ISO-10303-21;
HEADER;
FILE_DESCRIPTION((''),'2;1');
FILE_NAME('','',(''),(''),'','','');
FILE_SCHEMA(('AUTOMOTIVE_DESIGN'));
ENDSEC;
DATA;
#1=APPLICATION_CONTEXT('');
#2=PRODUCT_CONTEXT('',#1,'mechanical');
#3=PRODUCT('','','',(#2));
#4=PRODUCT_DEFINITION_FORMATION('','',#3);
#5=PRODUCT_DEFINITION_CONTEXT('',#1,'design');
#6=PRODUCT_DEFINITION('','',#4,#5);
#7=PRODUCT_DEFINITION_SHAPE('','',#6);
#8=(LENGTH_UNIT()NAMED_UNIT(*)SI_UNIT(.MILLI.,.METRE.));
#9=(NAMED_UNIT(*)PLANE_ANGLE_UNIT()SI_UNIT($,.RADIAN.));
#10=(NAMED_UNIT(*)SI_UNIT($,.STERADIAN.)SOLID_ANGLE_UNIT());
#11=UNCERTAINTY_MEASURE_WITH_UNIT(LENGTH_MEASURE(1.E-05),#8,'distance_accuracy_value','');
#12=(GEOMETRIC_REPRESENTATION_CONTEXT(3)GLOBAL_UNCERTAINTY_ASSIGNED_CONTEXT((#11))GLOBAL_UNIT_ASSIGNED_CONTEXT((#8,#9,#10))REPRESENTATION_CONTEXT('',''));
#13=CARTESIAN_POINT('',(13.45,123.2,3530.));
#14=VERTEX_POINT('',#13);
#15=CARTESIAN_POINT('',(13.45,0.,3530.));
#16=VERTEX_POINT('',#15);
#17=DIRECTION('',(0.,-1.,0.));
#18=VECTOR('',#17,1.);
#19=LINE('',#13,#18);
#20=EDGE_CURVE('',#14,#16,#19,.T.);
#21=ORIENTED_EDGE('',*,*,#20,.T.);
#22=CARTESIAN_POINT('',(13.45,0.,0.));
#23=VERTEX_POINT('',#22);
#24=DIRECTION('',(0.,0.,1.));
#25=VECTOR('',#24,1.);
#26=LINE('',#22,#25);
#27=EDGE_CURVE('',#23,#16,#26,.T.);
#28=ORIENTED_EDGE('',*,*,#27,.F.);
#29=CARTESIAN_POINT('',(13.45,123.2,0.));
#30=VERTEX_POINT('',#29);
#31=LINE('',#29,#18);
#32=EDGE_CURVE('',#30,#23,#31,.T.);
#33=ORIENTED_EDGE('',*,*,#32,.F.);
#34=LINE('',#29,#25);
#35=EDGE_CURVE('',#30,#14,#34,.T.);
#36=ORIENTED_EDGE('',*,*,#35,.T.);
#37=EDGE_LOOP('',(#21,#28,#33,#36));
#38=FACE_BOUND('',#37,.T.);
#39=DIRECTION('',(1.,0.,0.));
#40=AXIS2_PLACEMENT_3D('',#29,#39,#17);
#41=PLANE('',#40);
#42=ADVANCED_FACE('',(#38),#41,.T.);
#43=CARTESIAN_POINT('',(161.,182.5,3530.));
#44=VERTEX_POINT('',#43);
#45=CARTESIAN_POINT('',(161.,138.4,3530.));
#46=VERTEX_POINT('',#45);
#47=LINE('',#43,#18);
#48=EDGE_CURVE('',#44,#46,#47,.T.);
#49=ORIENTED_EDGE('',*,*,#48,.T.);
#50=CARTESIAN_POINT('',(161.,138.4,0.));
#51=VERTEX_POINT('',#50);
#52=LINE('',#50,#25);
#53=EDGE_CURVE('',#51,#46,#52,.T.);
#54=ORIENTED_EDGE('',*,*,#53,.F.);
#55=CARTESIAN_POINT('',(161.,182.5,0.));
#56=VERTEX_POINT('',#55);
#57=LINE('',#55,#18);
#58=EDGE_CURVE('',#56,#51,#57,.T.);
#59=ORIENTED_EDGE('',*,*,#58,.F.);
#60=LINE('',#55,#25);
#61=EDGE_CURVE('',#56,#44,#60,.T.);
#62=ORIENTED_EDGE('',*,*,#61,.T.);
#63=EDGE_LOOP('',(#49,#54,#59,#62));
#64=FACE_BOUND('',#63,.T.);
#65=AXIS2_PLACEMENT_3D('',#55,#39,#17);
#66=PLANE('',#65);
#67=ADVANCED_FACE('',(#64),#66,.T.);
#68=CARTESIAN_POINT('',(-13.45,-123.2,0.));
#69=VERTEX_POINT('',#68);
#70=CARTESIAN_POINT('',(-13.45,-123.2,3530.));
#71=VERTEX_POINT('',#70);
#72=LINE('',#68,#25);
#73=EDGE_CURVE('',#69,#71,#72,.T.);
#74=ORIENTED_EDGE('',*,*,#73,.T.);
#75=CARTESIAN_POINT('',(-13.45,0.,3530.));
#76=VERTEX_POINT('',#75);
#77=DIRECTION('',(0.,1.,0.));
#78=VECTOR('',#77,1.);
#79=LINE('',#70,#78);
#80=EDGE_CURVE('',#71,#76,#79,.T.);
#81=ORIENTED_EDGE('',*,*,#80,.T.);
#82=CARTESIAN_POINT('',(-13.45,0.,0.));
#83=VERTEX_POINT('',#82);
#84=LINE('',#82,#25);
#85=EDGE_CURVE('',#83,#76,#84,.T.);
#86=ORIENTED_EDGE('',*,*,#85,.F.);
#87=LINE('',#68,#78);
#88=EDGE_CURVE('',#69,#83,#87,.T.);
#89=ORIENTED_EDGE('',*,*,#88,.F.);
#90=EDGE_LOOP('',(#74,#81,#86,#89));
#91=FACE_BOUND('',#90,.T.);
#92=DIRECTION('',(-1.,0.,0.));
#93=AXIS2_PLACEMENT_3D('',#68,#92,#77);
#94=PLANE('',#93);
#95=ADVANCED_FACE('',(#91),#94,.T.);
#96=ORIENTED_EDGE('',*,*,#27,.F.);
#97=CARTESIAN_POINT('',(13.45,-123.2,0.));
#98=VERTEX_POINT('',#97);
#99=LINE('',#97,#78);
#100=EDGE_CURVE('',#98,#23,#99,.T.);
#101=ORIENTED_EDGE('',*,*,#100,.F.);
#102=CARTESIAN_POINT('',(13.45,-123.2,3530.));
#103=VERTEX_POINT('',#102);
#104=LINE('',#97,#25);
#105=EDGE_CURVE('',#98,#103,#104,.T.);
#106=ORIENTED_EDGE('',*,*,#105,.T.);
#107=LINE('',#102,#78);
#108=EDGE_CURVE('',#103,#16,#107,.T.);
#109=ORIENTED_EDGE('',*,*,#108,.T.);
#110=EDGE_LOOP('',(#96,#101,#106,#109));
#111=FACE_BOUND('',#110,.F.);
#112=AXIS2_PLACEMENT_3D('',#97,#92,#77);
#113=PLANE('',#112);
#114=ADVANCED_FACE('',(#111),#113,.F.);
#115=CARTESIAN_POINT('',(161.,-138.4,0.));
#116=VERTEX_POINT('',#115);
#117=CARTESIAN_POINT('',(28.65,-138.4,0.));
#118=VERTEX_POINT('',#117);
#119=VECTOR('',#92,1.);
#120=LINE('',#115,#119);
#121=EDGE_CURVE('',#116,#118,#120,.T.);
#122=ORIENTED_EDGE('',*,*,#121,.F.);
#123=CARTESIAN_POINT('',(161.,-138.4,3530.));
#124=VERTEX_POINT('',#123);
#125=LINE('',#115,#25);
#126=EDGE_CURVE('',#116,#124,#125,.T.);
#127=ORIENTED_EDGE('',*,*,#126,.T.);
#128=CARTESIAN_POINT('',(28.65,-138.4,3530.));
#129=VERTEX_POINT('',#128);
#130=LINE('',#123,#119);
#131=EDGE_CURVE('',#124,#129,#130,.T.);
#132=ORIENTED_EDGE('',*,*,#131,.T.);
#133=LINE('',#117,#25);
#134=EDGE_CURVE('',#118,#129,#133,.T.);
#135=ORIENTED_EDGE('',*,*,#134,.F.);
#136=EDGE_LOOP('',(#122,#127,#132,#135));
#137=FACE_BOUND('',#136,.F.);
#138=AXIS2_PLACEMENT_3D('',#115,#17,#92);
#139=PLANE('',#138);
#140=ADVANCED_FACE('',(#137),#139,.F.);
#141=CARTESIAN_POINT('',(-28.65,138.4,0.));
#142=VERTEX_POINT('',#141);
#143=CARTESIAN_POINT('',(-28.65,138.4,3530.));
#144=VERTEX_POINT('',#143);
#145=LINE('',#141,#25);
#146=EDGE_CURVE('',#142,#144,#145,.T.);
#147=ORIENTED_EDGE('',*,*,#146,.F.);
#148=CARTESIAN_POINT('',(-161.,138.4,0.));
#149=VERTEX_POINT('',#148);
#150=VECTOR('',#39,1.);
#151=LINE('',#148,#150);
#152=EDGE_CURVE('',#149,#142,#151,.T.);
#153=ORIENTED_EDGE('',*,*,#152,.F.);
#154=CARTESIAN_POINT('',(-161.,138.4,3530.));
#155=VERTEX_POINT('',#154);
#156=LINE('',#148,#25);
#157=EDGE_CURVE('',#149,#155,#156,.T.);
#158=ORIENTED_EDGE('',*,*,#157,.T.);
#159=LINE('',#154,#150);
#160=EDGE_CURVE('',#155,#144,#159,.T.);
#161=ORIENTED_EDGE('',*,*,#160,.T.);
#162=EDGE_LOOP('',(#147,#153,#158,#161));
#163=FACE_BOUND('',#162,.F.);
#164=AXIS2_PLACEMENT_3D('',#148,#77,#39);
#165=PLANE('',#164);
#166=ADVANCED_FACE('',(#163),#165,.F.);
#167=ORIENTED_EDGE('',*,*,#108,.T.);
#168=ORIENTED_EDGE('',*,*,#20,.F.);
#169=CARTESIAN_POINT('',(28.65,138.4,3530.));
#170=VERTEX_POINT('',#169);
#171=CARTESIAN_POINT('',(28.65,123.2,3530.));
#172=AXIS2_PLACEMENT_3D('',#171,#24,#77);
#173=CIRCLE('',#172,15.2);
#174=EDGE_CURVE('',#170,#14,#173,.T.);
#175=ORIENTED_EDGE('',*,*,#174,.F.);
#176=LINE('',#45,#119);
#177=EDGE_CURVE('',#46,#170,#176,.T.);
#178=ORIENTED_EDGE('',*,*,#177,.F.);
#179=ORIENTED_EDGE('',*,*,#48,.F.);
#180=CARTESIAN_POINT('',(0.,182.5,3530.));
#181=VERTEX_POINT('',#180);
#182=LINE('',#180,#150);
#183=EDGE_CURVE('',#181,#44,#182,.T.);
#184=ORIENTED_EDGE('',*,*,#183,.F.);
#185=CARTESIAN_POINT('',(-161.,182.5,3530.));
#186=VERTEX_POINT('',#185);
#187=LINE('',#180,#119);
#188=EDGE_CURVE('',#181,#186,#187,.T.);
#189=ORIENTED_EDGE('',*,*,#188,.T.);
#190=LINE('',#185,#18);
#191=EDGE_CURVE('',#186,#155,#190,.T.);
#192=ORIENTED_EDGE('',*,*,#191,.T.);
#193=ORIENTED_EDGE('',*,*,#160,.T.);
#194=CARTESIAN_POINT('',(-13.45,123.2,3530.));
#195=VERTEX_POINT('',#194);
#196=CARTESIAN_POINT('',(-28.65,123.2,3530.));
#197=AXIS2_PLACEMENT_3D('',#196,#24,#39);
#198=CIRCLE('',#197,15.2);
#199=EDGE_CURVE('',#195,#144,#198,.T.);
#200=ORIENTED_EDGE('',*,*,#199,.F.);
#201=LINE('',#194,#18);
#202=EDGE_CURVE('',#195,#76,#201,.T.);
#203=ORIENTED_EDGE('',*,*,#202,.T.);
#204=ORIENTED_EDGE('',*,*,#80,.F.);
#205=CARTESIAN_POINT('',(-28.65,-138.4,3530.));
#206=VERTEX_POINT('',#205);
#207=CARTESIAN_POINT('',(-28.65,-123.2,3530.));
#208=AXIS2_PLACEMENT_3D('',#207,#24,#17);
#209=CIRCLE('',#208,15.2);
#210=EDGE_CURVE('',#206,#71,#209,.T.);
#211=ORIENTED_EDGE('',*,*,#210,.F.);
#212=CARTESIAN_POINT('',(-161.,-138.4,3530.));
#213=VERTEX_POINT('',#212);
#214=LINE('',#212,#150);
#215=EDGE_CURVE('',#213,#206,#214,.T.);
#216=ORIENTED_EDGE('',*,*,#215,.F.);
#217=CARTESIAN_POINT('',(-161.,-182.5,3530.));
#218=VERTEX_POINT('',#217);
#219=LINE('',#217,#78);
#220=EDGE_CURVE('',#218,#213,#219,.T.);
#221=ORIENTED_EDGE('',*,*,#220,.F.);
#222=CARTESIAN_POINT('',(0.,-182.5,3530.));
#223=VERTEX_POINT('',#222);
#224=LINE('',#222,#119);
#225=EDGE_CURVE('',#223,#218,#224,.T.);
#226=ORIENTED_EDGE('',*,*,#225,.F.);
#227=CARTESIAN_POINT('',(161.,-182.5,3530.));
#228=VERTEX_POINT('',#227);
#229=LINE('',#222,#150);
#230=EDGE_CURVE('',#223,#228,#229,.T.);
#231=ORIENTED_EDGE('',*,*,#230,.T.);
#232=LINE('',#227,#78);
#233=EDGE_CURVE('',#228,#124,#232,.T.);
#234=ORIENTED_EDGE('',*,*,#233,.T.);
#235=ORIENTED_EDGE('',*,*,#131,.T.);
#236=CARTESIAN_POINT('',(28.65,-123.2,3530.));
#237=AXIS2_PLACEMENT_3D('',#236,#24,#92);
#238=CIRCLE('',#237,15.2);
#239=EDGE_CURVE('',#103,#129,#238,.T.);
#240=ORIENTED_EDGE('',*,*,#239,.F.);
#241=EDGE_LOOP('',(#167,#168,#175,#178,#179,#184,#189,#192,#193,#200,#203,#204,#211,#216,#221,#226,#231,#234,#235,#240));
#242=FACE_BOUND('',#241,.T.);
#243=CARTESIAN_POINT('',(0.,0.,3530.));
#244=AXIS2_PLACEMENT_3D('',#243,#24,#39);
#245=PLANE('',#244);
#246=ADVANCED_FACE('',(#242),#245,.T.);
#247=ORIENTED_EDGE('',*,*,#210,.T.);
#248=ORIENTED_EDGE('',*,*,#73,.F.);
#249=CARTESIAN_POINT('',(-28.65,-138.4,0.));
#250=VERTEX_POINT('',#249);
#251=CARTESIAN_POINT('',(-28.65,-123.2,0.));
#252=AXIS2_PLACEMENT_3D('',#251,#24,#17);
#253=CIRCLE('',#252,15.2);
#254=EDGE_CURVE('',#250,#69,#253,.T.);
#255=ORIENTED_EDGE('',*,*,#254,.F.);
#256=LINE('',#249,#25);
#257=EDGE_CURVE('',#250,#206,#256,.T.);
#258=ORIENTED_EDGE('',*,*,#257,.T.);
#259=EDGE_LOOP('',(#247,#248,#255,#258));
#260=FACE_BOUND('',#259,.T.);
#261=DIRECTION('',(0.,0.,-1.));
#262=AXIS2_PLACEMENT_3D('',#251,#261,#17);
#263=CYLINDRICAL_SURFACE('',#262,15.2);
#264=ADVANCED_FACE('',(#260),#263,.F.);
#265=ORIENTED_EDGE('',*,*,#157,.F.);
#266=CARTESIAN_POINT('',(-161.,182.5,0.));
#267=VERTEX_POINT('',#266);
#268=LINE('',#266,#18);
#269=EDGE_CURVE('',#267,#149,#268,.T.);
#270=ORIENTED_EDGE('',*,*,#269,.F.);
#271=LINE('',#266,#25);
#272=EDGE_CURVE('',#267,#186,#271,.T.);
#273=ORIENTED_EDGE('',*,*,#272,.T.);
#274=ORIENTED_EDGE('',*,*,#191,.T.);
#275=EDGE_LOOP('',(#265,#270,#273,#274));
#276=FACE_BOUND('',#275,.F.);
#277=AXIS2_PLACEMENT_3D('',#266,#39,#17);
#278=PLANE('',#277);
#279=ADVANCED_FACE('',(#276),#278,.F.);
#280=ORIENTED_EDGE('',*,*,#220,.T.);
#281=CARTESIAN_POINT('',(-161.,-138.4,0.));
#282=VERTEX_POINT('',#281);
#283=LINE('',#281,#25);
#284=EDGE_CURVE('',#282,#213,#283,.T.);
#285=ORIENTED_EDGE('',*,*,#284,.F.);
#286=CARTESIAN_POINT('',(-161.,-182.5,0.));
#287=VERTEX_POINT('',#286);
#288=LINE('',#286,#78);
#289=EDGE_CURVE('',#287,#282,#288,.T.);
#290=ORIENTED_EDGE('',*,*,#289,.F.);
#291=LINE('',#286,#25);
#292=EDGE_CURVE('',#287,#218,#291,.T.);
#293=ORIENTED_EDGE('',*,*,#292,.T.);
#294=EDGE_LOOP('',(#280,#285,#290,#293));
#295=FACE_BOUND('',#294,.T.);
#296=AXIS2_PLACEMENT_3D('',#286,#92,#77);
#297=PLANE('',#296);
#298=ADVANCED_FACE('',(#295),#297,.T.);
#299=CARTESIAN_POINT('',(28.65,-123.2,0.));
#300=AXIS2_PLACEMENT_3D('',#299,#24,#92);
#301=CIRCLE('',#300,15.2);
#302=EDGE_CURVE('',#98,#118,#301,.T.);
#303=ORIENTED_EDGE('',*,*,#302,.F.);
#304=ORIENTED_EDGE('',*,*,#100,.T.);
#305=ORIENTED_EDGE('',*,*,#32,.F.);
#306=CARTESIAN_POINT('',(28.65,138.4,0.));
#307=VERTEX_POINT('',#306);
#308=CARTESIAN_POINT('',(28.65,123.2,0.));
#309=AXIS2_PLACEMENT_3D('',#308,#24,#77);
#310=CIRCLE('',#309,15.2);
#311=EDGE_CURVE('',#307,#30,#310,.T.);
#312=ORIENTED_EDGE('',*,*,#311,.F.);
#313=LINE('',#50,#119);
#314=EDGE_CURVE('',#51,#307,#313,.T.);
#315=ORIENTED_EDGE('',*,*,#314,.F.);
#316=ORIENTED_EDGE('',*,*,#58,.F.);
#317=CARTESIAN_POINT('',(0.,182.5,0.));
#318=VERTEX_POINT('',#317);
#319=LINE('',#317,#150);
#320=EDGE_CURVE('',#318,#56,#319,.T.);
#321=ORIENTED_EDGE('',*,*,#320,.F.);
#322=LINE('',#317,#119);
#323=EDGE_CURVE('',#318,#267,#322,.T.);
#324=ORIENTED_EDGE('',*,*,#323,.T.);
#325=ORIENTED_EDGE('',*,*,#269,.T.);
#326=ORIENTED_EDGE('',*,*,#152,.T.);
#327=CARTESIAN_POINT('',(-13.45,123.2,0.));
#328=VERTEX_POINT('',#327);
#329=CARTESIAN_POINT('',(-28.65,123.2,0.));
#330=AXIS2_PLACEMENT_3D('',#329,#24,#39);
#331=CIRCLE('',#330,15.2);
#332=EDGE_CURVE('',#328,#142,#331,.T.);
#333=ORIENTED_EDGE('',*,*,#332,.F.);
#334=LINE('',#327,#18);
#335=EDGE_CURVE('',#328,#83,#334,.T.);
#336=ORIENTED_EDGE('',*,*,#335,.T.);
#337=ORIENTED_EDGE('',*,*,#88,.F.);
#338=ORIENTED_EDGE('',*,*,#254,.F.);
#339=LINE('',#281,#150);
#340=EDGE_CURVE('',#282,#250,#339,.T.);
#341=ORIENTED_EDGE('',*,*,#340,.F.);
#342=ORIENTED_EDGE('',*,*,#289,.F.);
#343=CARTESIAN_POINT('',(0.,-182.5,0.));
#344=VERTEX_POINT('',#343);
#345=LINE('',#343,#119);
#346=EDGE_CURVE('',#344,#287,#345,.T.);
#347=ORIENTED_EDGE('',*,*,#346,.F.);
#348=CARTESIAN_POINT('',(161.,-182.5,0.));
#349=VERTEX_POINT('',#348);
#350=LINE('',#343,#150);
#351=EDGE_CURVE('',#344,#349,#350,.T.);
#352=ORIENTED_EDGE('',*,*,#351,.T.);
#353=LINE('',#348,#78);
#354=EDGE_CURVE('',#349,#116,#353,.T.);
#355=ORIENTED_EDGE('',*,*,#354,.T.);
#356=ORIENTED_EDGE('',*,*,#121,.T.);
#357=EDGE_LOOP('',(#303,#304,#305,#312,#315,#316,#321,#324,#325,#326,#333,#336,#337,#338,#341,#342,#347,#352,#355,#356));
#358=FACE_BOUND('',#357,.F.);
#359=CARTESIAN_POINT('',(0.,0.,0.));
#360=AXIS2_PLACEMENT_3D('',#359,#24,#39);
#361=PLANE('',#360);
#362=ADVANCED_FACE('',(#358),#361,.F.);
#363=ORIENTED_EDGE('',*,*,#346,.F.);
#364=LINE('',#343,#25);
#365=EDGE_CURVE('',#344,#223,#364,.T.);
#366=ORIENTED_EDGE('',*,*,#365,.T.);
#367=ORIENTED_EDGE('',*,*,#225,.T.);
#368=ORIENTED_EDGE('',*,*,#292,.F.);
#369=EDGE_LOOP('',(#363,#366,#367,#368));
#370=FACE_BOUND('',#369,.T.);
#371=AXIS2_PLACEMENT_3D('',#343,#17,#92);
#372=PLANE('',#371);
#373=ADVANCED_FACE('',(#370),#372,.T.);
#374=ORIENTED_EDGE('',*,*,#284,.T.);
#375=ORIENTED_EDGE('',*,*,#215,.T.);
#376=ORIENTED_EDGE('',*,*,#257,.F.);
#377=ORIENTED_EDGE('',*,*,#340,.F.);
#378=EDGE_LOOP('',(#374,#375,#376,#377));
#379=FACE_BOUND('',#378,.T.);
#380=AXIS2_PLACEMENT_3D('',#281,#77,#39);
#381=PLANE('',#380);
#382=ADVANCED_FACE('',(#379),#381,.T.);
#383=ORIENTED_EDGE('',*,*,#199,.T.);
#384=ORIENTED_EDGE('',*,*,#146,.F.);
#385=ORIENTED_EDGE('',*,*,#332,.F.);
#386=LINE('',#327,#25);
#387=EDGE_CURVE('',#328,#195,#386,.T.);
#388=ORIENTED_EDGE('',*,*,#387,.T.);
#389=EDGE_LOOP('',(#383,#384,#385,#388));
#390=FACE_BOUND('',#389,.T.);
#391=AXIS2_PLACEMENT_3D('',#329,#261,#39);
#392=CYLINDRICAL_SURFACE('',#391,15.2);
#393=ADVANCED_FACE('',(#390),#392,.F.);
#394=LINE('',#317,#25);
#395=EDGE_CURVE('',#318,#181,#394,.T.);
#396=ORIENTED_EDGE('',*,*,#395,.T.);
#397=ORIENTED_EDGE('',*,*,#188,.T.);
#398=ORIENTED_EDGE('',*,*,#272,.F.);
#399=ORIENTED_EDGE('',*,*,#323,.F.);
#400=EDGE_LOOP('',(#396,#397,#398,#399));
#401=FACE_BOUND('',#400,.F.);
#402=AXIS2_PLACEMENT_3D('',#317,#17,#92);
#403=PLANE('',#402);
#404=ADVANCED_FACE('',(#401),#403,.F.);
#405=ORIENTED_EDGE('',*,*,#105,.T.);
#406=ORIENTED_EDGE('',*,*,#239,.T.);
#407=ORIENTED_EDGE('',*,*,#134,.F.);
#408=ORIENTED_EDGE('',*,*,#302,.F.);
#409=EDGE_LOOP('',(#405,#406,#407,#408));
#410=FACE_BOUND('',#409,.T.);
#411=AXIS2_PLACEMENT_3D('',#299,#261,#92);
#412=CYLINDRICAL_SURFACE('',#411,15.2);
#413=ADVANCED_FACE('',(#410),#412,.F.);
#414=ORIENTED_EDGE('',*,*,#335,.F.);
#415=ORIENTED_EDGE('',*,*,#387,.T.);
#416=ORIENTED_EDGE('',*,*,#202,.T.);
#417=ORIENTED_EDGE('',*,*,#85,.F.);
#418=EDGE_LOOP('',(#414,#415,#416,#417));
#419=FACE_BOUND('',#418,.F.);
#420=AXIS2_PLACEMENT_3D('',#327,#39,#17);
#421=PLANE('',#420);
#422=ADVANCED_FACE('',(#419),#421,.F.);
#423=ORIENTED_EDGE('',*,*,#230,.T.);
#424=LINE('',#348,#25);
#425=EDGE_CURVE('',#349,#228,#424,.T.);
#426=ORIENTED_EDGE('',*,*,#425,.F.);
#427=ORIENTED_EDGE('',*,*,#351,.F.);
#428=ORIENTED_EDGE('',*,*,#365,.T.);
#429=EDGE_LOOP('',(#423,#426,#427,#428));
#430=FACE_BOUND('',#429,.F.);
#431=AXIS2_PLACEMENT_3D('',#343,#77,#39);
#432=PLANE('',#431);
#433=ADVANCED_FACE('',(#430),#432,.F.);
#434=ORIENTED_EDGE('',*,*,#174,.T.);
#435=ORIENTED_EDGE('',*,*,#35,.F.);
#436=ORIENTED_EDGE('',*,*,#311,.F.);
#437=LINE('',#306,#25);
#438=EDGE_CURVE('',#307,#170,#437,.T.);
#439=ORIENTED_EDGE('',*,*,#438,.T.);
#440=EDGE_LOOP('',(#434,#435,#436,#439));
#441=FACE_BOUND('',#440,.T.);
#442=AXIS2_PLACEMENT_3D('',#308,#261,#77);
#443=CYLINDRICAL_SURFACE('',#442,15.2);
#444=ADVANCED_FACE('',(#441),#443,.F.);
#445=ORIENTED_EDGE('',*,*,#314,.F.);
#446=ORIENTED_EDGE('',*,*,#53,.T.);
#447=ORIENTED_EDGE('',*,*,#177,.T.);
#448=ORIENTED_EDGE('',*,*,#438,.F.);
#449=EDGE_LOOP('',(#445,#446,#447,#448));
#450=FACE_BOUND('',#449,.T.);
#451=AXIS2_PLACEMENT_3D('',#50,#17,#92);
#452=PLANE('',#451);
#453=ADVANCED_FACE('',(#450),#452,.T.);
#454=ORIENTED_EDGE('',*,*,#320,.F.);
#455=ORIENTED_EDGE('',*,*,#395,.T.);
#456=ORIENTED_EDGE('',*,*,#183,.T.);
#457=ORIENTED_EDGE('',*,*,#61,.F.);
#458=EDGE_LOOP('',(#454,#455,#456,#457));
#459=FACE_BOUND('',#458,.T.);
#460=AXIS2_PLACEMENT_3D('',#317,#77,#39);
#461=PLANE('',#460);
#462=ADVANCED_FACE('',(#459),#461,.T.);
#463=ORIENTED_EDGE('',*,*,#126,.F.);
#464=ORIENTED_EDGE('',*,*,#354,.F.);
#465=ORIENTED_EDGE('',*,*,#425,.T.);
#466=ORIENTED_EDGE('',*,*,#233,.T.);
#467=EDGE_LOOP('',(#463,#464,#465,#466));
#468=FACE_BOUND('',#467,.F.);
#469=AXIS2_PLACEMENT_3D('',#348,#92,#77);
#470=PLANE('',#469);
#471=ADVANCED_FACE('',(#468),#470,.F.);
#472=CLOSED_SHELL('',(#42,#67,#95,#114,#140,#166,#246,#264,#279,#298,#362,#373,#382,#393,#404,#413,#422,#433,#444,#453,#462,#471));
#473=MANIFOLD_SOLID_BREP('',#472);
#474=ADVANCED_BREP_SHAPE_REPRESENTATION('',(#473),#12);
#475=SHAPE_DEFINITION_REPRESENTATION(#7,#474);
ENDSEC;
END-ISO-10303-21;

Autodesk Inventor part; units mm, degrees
ref_plane "YZ Plane" through (0, 0, 0) normal (1, 0, 0) x (0, 1, 0)
ref_plane "Start plane" through (0, 0, 0) normal (0, 0, 1) x (1, 0, 0)
ref_plane "End plane" through (0, 0, 3530) normal (0, 0, 1) x (1, 0, 0)
sketch "Sketch" plane through (0, 0, 0) normal (0, 0, 1) x (1, 0, 0)
  line L0 (-161, -182.5) -> (-161, -138.4)
  line L1 (-161, -138.4) -> (-28.65, -138.4)
  line L2 (-13.45, -123.2) -> (-13.45, 0)
  line L3 (-13.45, 0) -> (0, 0) construction
  line L4 (0, 0) -> (0, -182.5) construction
  line L5 (0, -182.5) -> (-161, -182.5)
  line L6 (-60, 0) -> (80, 0) construction
  line L7 (0, -60) -> (0, 80) construction
  line L8 (161, -182.5) -> (161, -138.4)
  line L9 (161, -138.4) -> (28.65, -138.4)
  line L10 (13.45, -123.2) -> (13.45, 0)
  line L11 (13.45, 0) -> (0, 0) construction
  line L12 (0, -182.5) -> (161, -182.5)
  line L13 (-161, 182.5) -> (-161, 138.4)
  line L14 (-161, 138.4) -> (-28.65, 138.4)
  line L15 (-13.45, 123.2) -> (-13.45, 0)
  line L16 (0, 182.5) -> (-161, 182.5)
  line L17 (161, 182.5) -> (161, 138.4)
  line L18 (161, 138.4) -> (28.65, 138.4)
  line L19 (0, 182.5) -> (161, 182.5)
  line L20 (13.45, 123.2) -> (13.45, 0)
  arc A0 (-13.45, 123.2) -> (-28.65, 138.4) centre (-28.65, 123.2) ccw
  arc A1 (28.65, 138.4) -> (13.45, 123.2) centre (28.65, 123.2) ccw
  arc A2 (13.45, -123.2) -> (28.65, -138.4) centre (28.65, -123.2) ccw
  arc A3 (-28.65, -138.4) -> (-13.45, -123.2) centre (-28.65, -123.2) ccw
  line L21 (0, 108) -> (0, -88) construction
  line L22 (-88, 0) -> (108, 0) construction
  point P0 (-13.45, -138.4)
  point P1 (13.45, -138.4)
  point P2 (-13.45, 138.4)
  point P3 (13.45, 138.4)
  dimension "d1" = 182.5
  dimension "d2" = 44.1
  dimension "d3" = 161
  dimension "d4" = 13.45
  dimension "d10" = 15.2
extrude "Body" add sketch "Sketch" along normal up to surface (3530 mm away) from surface at 0
sketch "Sketch4" plane through (0, 0, 0) normal (0, 0, 1) x (1, 0, 0)
  line L0 (0, 0) -> (10, 0)
ref_plane "Work Plane3" through (0, 0, 0) normal (0, -1, 0) x (1, 0, 0)
sketch "Sketch5" plane through (0, 0, 0) normal (0, -1, 0) x (1, 0, 0)
  line L0 (-2, 0) -> (12, 0) projected
  line L1 (-2, 3530) -> (12, 3530) projected
  dimension "d14" = 3530
equation "\"d1\" = 0.5 * G_H"
equation "\"d2\" = G_T1"
equation "\"d3\" = 0.5 * G_W"
equation "\"d4\" = 0.5 * G_T"
equation "\"d10\" = G_IR"
equation "\"d5\" = G_L"
equation "\"G_W\" = 322"
equation "\"G_H\" = 365"
equation "\"G_T\" = 26.9"
equation "\"G_T1\" = 44.1"
equation "\"G_IR\" = 15.2"
equation "\"G_L\" = d14"
equation "\"G_OFFSET_START\" = 0"
equation "\"G_OFFSET_END\" = 0"
properties part number "AS 3679 - 310 UC - 283 - 3530" material "Steel, Mild"
